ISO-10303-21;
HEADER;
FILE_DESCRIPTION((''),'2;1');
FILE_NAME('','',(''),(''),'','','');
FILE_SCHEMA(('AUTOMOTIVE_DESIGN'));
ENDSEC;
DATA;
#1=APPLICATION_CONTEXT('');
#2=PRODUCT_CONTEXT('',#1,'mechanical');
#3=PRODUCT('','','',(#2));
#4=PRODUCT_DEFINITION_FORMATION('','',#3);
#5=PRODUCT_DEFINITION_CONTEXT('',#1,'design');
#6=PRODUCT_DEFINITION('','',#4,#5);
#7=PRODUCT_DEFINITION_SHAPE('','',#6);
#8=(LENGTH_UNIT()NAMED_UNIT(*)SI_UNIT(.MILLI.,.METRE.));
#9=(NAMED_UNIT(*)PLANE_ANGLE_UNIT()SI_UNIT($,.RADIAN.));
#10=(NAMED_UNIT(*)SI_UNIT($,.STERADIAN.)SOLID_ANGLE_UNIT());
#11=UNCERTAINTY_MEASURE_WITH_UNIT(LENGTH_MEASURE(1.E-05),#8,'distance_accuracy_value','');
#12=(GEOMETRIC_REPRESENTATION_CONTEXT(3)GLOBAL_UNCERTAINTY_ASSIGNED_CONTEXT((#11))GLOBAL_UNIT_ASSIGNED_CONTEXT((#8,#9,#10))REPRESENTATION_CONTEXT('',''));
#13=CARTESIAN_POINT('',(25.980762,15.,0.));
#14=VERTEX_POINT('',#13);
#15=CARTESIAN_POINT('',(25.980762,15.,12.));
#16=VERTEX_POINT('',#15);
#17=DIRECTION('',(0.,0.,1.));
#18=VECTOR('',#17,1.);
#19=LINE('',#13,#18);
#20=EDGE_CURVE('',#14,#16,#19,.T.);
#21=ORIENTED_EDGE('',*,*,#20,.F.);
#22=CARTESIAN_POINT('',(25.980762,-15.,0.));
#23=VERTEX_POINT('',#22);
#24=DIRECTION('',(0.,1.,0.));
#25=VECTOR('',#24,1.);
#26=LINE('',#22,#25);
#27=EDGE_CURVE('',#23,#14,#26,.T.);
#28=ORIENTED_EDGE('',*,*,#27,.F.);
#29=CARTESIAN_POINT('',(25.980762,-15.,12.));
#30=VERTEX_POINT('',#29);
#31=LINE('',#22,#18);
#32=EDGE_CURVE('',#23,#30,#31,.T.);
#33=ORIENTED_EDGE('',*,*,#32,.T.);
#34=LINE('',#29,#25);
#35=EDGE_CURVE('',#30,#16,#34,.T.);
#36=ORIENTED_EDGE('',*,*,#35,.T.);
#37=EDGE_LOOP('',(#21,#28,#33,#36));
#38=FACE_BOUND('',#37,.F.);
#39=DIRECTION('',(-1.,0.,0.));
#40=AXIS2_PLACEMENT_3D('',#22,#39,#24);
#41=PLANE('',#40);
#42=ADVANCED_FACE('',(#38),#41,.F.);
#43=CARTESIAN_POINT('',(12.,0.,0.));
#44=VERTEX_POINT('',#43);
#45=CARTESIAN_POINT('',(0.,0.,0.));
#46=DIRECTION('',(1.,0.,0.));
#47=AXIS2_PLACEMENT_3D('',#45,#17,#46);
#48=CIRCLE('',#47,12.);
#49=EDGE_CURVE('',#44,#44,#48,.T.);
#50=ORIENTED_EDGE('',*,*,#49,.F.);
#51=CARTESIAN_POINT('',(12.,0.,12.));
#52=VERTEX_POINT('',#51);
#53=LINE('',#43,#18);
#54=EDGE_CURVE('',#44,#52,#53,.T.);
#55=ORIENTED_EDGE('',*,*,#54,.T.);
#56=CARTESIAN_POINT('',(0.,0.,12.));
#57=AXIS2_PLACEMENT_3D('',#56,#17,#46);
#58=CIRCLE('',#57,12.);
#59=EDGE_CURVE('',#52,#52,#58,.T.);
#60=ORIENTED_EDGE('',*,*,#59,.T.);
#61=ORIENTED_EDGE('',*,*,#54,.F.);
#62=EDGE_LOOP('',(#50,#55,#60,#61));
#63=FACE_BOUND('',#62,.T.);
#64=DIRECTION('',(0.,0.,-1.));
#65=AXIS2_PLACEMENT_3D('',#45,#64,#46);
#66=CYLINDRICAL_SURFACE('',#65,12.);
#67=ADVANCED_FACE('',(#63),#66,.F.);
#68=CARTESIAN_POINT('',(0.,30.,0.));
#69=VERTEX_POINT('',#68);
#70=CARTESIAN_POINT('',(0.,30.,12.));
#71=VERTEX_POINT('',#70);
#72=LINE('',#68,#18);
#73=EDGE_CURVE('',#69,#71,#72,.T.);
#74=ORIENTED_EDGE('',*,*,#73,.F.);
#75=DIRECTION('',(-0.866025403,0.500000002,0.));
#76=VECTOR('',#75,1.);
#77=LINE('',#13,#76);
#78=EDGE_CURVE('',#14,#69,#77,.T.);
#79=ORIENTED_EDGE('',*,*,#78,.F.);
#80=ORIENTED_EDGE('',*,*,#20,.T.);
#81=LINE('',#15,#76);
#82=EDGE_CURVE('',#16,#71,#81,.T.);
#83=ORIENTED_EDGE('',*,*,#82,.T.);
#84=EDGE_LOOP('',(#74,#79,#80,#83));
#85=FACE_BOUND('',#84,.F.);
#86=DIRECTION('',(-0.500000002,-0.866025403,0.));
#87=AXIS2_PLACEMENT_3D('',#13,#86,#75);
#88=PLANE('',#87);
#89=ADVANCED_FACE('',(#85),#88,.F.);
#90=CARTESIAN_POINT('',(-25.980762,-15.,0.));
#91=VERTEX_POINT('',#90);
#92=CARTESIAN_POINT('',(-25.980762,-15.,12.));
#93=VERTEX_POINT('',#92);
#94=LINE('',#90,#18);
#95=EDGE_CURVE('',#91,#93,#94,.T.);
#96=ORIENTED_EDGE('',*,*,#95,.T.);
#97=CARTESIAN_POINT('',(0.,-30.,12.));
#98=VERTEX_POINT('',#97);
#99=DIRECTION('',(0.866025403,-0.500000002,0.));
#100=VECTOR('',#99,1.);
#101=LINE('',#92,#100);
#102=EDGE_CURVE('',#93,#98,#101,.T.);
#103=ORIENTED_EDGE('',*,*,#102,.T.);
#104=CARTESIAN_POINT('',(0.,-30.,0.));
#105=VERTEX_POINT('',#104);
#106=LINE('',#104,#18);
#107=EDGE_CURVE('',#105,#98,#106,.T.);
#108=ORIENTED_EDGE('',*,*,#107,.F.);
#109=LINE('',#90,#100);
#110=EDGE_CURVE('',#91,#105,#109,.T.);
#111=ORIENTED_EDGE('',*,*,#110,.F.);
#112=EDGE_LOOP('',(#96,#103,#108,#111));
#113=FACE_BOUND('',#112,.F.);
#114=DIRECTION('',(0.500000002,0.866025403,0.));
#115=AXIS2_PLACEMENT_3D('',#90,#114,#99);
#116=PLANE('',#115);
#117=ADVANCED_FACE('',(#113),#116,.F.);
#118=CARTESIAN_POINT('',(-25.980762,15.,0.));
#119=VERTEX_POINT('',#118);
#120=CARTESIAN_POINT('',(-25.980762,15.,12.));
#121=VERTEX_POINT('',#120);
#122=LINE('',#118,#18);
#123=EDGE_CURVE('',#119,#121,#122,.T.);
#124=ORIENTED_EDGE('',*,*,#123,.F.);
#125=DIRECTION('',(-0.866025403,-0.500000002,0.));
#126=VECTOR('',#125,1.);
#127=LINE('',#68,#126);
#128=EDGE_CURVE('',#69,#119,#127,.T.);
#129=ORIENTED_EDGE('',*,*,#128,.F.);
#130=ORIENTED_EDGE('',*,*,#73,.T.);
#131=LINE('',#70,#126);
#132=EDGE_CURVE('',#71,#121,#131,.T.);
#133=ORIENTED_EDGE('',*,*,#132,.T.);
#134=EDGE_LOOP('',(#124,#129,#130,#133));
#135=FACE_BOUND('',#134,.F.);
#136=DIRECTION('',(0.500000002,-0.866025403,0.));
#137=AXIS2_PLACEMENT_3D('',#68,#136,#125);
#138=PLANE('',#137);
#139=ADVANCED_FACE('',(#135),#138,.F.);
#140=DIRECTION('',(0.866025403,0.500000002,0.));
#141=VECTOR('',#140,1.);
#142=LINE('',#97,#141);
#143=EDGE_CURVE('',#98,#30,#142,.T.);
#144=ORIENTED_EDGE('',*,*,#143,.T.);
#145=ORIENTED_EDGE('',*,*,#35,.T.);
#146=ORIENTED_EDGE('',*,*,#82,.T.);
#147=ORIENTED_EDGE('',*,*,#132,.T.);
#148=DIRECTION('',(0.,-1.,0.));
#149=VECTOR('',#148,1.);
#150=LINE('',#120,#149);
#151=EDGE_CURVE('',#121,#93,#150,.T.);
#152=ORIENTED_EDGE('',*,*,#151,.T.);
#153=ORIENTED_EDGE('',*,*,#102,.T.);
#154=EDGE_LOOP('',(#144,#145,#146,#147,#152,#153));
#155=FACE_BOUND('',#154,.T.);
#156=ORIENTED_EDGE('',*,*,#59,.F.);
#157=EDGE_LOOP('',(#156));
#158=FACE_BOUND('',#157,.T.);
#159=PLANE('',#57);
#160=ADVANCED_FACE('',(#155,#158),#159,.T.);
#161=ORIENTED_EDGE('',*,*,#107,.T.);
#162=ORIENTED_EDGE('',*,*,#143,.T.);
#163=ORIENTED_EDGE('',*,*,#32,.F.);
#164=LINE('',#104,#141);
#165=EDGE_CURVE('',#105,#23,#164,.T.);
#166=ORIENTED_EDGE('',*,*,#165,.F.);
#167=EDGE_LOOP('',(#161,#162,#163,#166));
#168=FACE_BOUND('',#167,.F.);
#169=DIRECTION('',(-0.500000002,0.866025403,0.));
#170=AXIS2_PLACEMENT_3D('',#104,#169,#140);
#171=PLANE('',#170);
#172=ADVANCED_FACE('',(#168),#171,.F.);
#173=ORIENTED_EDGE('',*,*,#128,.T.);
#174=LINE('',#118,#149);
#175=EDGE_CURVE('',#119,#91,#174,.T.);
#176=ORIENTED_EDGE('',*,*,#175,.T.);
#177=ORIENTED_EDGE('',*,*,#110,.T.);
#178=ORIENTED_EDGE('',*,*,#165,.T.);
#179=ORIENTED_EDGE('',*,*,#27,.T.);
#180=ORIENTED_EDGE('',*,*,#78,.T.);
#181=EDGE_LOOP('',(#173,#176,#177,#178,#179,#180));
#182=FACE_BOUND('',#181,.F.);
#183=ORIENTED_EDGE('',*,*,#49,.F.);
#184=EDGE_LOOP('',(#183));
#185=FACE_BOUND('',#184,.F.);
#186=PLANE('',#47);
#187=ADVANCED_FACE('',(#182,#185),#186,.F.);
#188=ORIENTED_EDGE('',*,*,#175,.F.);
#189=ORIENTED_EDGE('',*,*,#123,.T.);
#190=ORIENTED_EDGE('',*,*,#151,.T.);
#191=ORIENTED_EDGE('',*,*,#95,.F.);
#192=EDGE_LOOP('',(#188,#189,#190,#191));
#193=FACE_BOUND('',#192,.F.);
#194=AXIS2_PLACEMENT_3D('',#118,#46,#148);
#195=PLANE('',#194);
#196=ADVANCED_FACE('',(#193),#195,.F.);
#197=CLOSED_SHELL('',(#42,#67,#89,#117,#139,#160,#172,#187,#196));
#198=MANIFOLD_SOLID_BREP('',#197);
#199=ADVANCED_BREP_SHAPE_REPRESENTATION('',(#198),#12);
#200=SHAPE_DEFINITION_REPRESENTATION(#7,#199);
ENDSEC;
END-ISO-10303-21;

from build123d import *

# Parameters (mm, degrees)
F0_R     = 12
F1_DEPTH = 12


with BuildPart() as f1:
    # F0 (on Top) → F1 (new body)
    with BuildSketch(Plane.XY):
        Polygon((25.980762, 15), (0, 30), (-25.980762, 15), (-25.980762, -15), (0, -30), (25.980762, -15), align=None)
        Circle(F0_R, mode=Mode.SUBTRACT)
    extrude(amount=F1_DEPTH)


solid = f1.part
